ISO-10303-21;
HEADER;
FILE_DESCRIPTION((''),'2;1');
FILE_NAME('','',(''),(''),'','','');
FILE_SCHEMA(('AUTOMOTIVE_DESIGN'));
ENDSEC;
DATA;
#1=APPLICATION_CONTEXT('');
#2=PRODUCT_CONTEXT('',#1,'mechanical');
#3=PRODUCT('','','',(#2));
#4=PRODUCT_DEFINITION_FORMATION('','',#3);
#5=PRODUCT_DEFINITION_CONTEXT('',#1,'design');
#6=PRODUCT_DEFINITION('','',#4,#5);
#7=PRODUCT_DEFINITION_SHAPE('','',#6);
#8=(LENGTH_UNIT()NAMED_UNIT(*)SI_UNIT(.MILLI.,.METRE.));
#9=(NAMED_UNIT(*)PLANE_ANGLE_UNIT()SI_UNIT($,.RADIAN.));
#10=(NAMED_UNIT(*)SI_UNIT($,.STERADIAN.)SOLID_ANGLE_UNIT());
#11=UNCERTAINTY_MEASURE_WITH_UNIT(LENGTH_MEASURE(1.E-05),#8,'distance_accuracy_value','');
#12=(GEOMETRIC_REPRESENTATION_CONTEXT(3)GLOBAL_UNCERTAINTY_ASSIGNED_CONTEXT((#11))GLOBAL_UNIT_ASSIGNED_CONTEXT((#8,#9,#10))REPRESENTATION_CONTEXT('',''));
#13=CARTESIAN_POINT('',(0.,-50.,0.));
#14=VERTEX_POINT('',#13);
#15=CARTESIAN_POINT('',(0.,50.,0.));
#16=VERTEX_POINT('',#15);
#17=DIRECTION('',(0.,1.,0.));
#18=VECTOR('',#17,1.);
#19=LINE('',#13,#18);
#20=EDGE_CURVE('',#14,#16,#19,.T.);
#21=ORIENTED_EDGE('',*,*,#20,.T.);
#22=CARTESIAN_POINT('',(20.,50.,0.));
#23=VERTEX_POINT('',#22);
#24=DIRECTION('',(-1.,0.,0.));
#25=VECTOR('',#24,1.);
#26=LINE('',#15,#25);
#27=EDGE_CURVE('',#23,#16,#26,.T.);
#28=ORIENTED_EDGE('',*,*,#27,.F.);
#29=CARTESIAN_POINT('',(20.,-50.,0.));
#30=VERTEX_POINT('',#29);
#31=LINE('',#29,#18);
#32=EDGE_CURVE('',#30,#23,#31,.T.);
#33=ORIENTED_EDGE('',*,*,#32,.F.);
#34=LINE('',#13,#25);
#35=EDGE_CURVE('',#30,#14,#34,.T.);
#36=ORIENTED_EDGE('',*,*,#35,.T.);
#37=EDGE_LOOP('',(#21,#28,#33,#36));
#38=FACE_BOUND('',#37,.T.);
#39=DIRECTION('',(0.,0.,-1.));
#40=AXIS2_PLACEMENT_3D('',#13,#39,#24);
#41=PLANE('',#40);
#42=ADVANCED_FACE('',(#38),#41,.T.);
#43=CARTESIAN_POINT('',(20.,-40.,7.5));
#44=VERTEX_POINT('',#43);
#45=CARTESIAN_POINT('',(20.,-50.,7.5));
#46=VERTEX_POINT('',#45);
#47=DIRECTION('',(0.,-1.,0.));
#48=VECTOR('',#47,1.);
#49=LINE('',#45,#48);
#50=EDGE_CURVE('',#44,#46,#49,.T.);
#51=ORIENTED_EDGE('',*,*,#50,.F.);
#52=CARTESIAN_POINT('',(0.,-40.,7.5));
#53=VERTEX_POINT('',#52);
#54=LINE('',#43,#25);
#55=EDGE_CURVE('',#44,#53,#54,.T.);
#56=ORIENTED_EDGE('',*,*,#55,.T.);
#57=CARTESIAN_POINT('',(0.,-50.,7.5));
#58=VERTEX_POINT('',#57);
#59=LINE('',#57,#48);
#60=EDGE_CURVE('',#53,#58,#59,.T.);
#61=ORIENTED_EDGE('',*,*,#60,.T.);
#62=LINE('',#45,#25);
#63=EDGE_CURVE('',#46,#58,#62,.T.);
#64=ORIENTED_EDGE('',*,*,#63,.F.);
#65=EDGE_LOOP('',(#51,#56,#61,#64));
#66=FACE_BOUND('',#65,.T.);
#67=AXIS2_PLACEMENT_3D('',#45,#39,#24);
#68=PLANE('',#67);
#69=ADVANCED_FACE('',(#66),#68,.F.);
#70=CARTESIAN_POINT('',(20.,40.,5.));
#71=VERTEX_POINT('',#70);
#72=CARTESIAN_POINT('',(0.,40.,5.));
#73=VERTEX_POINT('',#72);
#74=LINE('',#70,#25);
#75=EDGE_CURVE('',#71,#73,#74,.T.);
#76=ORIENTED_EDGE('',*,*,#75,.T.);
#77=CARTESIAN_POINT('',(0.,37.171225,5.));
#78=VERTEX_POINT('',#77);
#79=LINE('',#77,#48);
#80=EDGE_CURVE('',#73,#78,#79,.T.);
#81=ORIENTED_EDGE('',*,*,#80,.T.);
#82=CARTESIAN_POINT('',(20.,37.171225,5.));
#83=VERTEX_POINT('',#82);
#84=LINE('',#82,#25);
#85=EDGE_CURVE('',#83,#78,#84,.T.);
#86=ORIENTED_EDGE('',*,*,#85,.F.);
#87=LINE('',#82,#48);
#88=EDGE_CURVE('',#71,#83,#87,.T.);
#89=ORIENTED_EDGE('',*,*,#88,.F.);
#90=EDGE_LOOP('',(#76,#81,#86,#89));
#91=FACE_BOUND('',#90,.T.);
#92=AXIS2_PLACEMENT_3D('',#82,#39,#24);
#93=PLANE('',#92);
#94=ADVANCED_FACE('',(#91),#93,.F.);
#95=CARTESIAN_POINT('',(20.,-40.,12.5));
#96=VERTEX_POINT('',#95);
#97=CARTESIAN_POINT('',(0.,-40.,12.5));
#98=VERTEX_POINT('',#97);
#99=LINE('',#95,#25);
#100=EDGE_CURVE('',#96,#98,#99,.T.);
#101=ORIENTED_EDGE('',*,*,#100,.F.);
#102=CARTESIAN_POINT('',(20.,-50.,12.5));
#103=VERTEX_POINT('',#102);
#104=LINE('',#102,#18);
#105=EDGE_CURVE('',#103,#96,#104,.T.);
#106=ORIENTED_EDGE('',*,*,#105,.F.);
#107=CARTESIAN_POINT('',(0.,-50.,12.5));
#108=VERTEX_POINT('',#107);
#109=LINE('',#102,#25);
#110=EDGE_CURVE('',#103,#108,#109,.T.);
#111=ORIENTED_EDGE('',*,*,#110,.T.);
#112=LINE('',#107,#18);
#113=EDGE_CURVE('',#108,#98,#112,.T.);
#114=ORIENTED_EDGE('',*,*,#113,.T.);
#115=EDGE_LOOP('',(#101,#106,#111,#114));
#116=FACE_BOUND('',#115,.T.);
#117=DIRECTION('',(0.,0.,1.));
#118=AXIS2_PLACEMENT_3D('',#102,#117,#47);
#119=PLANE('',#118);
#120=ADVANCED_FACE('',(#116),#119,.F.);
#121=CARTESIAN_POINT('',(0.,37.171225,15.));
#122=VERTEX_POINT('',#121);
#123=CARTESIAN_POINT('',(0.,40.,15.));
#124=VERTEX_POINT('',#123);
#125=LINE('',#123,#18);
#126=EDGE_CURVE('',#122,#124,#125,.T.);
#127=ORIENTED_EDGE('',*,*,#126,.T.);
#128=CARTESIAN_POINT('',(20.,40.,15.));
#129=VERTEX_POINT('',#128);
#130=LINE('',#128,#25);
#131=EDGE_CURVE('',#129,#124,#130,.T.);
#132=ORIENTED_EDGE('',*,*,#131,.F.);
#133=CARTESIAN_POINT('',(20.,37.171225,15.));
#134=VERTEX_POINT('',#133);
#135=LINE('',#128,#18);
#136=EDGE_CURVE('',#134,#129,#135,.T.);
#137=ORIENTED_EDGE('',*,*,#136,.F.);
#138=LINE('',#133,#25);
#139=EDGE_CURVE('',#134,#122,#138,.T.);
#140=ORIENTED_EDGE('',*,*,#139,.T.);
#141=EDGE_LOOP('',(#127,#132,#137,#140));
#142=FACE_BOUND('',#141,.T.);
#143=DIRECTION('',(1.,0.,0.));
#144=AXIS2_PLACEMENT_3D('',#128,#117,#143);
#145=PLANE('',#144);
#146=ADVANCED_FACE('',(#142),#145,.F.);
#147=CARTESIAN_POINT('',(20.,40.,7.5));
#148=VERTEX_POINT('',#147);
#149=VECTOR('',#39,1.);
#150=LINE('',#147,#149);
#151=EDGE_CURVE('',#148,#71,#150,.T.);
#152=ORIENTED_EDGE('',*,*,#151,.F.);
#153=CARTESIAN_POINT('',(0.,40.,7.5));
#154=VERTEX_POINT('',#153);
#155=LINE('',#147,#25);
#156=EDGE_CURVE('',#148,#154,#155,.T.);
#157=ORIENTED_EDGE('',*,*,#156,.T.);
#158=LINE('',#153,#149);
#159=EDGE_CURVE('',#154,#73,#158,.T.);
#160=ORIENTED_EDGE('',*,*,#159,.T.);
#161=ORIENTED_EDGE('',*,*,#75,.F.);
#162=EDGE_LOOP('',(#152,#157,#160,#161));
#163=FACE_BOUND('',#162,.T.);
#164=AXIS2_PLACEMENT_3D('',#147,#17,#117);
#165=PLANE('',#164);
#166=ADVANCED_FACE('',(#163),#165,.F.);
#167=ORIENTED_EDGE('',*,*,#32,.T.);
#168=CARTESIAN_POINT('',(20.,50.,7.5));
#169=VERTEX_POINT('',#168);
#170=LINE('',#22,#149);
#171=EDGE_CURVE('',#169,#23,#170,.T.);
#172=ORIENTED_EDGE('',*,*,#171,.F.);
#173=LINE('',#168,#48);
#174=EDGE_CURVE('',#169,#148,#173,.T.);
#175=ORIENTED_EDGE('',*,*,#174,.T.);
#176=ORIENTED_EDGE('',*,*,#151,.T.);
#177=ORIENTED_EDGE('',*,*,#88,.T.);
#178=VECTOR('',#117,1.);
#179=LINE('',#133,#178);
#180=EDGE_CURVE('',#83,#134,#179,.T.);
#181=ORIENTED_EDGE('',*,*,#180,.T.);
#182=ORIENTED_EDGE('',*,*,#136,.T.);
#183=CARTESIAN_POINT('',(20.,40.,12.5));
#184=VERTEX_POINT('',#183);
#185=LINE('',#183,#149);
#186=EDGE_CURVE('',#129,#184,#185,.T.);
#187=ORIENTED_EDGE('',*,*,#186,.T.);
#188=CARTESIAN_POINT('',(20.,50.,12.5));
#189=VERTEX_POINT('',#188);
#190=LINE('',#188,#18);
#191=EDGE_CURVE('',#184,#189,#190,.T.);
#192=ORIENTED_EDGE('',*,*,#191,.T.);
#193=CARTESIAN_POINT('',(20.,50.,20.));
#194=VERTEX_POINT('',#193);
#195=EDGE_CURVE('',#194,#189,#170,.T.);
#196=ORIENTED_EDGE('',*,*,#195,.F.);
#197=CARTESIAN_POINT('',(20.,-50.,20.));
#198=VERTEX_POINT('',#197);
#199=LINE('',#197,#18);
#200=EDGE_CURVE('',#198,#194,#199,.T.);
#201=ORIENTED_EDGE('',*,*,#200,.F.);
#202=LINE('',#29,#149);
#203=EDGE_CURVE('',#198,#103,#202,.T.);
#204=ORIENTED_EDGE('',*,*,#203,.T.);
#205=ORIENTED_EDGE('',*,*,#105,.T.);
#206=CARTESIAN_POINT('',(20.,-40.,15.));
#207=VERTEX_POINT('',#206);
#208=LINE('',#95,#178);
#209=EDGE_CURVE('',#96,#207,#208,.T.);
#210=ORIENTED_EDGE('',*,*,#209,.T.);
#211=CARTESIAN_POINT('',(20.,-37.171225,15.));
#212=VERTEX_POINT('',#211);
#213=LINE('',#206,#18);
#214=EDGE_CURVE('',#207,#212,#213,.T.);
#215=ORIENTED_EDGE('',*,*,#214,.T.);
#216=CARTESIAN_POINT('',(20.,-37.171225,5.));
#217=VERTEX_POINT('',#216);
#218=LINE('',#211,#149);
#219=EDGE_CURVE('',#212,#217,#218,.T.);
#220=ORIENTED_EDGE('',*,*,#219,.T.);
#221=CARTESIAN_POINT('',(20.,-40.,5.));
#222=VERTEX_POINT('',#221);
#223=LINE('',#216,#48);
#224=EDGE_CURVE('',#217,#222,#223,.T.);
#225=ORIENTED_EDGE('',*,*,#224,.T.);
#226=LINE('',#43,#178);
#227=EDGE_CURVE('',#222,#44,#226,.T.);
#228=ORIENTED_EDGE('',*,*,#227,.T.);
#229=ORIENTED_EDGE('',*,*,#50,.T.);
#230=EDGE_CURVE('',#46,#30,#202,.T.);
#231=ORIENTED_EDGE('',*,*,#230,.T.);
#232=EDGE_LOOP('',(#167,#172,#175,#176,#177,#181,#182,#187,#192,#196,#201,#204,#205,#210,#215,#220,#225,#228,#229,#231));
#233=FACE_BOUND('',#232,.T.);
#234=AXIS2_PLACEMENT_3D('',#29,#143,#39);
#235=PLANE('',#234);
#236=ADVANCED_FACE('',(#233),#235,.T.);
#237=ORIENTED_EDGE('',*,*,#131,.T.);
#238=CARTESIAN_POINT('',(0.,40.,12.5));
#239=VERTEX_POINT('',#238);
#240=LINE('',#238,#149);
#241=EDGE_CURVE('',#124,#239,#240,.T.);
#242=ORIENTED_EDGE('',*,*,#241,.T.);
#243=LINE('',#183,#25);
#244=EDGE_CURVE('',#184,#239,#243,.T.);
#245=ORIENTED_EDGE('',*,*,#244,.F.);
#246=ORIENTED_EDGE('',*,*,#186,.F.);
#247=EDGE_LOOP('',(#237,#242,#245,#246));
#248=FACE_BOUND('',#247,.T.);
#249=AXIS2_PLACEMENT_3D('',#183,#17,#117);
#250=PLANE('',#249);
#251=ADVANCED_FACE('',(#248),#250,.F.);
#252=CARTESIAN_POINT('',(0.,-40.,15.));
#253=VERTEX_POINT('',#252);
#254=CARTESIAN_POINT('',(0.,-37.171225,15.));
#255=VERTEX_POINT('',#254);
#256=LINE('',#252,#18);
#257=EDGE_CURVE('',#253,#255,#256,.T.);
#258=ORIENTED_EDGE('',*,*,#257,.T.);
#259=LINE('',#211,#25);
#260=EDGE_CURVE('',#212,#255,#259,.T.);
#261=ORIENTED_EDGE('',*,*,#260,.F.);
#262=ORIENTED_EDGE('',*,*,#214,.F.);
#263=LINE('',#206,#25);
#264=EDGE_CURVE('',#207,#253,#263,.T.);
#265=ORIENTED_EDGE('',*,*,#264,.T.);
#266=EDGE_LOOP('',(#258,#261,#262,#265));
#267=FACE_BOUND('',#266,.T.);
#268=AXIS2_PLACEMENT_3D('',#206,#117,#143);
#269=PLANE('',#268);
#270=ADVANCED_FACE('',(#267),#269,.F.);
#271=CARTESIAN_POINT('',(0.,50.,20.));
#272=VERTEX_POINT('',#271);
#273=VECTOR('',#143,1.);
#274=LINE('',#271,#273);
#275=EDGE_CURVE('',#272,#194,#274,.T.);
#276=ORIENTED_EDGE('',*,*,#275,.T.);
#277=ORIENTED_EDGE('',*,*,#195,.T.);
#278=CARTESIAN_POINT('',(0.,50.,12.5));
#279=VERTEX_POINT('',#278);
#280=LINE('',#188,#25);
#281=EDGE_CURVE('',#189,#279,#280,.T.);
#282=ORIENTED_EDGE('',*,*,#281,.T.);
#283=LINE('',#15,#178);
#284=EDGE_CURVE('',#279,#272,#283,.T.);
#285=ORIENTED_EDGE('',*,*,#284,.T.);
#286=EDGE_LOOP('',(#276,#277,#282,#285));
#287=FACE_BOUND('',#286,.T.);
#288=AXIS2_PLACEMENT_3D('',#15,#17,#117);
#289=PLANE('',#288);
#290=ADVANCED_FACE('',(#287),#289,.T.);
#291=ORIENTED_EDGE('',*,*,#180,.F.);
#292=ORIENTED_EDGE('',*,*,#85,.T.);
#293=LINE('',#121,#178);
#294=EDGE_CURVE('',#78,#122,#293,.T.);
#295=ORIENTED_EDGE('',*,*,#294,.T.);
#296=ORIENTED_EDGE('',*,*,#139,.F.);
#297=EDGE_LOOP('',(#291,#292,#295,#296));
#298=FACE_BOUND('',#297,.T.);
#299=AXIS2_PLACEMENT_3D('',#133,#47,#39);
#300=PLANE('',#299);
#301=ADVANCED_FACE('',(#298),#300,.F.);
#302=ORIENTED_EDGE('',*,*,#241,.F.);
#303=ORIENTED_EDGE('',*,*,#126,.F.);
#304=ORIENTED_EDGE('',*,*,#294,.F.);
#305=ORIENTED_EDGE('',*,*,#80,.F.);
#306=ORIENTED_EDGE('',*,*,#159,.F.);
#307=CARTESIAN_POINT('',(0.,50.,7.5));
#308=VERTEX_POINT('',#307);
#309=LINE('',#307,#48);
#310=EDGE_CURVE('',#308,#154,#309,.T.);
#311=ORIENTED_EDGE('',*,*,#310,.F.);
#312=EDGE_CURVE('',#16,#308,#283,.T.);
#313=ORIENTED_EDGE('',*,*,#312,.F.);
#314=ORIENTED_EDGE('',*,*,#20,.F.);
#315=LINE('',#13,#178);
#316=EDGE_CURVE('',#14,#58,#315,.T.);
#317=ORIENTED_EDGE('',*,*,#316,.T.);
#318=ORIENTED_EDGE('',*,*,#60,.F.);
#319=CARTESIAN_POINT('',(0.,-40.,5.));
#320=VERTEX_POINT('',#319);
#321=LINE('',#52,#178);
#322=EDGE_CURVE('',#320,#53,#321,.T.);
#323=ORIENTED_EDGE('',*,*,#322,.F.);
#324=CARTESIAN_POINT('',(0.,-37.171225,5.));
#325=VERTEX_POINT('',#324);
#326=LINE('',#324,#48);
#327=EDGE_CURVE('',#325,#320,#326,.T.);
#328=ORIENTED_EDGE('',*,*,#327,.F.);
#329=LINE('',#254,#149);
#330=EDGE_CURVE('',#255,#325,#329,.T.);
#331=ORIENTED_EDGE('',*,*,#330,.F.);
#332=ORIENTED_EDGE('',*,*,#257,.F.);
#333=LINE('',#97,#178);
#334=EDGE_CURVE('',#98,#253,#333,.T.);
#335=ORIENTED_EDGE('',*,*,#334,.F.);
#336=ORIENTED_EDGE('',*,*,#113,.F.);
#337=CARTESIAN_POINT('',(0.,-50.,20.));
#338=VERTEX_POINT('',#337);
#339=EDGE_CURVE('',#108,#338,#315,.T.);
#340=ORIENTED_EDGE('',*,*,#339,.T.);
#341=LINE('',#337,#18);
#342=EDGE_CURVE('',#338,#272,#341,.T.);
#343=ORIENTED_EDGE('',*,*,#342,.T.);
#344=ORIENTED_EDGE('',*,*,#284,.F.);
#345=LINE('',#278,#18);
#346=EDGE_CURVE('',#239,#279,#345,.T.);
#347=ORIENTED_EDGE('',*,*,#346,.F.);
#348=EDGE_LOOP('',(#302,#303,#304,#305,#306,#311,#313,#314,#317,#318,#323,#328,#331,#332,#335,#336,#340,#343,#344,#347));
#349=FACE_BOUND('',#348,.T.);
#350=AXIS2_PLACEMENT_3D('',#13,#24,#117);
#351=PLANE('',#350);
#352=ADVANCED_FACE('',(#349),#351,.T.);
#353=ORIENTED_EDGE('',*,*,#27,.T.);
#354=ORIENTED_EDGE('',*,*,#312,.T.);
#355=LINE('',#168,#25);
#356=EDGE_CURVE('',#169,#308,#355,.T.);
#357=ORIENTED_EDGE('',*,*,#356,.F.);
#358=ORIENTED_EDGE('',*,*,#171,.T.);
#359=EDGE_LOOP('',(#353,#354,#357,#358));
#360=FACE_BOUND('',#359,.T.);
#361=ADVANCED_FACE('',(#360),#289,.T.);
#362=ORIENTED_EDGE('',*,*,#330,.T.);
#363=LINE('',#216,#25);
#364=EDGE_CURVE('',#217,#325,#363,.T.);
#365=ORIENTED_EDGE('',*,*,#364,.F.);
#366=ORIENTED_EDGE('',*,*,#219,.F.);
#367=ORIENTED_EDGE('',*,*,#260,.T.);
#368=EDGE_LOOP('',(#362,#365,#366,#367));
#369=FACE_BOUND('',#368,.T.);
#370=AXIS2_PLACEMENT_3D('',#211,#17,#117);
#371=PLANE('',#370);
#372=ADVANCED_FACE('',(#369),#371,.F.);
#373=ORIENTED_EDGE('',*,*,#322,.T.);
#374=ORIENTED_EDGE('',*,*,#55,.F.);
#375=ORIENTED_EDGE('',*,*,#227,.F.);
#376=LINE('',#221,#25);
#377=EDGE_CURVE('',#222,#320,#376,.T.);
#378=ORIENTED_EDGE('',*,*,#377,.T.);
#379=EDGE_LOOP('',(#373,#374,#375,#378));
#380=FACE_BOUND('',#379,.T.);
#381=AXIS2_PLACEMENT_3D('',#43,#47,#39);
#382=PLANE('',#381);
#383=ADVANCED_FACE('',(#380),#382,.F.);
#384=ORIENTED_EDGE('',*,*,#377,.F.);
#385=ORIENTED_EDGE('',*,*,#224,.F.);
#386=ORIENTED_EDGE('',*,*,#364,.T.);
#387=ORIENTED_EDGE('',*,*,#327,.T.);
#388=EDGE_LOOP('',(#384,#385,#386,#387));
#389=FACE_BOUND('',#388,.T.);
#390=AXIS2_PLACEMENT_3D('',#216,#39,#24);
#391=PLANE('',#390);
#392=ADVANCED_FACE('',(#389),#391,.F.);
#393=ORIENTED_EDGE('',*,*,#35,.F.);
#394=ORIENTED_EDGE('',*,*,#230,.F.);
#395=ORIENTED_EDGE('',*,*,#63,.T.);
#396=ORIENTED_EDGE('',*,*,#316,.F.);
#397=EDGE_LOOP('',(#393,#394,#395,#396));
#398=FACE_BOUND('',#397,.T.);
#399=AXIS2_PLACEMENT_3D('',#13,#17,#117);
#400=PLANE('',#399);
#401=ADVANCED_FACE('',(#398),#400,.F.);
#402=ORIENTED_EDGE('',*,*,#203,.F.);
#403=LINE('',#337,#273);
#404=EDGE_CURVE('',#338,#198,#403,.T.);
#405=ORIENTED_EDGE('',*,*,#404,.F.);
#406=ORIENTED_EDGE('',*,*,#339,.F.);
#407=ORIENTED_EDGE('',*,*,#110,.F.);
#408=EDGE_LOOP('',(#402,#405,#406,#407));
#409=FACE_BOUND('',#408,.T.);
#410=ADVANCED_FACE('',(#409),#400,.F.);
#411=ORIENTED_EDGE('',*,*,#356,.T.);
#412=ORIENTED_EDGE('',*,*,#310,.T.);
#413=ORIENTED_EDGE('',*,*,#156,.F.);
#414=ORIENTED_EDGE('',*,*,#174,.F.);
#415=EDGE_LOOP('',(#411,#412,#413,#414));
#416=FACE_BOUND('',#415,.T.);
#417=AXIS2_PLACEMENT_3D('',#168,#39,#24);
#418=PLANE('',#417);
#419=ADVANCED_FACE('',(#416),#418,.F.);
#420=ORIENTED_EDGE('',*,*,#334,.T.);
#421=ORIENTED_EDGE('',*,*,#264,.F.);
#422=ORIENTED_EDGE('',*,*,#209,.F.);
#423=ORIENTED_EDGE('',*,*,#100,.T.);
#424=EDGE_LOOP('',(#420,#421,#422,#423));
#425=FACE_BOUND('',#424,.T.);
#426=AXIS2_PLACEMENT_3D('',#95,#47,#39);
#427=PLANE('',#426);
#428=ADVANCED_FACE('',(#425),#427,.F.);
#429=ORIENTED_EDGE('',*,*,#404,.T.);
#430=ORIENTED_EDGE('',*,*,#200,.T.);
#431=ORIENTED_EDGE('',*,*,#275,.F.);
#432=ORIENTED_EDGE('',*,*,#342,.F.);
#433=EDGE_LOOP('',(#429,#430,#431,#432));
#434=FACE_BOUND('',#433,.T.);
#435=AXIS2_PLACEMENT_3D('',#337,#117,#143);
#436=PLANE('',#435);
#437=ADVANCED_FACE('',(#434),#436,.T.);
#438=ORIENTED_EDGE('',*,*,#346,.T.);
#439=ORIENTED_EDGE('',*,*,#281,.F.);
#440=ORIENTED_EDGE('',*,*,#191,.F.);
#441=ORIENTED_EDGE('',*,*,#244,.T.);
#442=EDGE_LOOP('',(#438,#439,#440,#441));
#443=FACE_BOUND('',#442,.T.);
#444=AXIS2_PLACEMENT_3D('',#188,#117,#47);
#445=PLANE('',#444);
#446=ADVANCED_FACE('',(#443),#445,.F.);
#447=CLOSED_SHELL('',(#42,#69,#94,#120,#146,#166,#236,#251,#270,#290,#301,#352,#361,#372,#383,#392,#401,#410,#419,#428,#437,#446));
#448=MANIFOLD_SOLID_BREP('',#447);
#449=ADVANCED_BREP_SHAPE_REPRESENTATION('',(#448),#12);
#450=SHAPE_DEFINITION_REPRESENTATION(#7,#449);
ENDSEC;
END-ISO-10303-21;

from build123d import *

# Parameters (mm, degrees)
BOSS_EXTRUDE1_DEPTH      = 50
BOSS_EXTRUDE1_DEPTH_BACK = 50
SKETCH1_W                = 20
SKETCH1_H                = 20
CUT_EXTRUDE2_DEPTH       = 58.445626465


with BuildPart() as part:
    # Sketch1 → Boss-Extrude1 (new, two sides: drawn at the far end of the back side and taken through both)
    with BuildSketch(Plane(origin=(0, 0, 0), x_dir=(1, 0, 0), z_dir=(0, 1, 0)).offset(-BOSS_EXTRUDE1_DEPTH_BACK)):
        with Locations((10, -10)):
            Rectangle(SKETCH1_W, SKETCH1_H)
    extrude(amount=BOSS_EXTRUDE1_DEPTH + BOSS_EXTRUDE1_DEPTH_BACK)

    # Sketch3 → Cut-Extrude2 (cut, through all)
    with BuildSketch(Plane.ZY):
        Polygon((7.5, 40), (5, 40), (5, 37.171225458), (15, 37.171225458), (15, 40), (12.5, 40), (12.5, 50), (10, 50), (7.5, 50), align=None)
        Polygon((5, -37.171225458), (5, -40), (7.5, -40), (7.5, -50), (10, -50), (12.5, -50), (12.5, -40), (15, -40), (15, -37.171225458), align=None)
    extrude(amount=-CUT_EXTRUDE2_DEPTH, mode=Mode.SUBTRACT)


solid = part.part
